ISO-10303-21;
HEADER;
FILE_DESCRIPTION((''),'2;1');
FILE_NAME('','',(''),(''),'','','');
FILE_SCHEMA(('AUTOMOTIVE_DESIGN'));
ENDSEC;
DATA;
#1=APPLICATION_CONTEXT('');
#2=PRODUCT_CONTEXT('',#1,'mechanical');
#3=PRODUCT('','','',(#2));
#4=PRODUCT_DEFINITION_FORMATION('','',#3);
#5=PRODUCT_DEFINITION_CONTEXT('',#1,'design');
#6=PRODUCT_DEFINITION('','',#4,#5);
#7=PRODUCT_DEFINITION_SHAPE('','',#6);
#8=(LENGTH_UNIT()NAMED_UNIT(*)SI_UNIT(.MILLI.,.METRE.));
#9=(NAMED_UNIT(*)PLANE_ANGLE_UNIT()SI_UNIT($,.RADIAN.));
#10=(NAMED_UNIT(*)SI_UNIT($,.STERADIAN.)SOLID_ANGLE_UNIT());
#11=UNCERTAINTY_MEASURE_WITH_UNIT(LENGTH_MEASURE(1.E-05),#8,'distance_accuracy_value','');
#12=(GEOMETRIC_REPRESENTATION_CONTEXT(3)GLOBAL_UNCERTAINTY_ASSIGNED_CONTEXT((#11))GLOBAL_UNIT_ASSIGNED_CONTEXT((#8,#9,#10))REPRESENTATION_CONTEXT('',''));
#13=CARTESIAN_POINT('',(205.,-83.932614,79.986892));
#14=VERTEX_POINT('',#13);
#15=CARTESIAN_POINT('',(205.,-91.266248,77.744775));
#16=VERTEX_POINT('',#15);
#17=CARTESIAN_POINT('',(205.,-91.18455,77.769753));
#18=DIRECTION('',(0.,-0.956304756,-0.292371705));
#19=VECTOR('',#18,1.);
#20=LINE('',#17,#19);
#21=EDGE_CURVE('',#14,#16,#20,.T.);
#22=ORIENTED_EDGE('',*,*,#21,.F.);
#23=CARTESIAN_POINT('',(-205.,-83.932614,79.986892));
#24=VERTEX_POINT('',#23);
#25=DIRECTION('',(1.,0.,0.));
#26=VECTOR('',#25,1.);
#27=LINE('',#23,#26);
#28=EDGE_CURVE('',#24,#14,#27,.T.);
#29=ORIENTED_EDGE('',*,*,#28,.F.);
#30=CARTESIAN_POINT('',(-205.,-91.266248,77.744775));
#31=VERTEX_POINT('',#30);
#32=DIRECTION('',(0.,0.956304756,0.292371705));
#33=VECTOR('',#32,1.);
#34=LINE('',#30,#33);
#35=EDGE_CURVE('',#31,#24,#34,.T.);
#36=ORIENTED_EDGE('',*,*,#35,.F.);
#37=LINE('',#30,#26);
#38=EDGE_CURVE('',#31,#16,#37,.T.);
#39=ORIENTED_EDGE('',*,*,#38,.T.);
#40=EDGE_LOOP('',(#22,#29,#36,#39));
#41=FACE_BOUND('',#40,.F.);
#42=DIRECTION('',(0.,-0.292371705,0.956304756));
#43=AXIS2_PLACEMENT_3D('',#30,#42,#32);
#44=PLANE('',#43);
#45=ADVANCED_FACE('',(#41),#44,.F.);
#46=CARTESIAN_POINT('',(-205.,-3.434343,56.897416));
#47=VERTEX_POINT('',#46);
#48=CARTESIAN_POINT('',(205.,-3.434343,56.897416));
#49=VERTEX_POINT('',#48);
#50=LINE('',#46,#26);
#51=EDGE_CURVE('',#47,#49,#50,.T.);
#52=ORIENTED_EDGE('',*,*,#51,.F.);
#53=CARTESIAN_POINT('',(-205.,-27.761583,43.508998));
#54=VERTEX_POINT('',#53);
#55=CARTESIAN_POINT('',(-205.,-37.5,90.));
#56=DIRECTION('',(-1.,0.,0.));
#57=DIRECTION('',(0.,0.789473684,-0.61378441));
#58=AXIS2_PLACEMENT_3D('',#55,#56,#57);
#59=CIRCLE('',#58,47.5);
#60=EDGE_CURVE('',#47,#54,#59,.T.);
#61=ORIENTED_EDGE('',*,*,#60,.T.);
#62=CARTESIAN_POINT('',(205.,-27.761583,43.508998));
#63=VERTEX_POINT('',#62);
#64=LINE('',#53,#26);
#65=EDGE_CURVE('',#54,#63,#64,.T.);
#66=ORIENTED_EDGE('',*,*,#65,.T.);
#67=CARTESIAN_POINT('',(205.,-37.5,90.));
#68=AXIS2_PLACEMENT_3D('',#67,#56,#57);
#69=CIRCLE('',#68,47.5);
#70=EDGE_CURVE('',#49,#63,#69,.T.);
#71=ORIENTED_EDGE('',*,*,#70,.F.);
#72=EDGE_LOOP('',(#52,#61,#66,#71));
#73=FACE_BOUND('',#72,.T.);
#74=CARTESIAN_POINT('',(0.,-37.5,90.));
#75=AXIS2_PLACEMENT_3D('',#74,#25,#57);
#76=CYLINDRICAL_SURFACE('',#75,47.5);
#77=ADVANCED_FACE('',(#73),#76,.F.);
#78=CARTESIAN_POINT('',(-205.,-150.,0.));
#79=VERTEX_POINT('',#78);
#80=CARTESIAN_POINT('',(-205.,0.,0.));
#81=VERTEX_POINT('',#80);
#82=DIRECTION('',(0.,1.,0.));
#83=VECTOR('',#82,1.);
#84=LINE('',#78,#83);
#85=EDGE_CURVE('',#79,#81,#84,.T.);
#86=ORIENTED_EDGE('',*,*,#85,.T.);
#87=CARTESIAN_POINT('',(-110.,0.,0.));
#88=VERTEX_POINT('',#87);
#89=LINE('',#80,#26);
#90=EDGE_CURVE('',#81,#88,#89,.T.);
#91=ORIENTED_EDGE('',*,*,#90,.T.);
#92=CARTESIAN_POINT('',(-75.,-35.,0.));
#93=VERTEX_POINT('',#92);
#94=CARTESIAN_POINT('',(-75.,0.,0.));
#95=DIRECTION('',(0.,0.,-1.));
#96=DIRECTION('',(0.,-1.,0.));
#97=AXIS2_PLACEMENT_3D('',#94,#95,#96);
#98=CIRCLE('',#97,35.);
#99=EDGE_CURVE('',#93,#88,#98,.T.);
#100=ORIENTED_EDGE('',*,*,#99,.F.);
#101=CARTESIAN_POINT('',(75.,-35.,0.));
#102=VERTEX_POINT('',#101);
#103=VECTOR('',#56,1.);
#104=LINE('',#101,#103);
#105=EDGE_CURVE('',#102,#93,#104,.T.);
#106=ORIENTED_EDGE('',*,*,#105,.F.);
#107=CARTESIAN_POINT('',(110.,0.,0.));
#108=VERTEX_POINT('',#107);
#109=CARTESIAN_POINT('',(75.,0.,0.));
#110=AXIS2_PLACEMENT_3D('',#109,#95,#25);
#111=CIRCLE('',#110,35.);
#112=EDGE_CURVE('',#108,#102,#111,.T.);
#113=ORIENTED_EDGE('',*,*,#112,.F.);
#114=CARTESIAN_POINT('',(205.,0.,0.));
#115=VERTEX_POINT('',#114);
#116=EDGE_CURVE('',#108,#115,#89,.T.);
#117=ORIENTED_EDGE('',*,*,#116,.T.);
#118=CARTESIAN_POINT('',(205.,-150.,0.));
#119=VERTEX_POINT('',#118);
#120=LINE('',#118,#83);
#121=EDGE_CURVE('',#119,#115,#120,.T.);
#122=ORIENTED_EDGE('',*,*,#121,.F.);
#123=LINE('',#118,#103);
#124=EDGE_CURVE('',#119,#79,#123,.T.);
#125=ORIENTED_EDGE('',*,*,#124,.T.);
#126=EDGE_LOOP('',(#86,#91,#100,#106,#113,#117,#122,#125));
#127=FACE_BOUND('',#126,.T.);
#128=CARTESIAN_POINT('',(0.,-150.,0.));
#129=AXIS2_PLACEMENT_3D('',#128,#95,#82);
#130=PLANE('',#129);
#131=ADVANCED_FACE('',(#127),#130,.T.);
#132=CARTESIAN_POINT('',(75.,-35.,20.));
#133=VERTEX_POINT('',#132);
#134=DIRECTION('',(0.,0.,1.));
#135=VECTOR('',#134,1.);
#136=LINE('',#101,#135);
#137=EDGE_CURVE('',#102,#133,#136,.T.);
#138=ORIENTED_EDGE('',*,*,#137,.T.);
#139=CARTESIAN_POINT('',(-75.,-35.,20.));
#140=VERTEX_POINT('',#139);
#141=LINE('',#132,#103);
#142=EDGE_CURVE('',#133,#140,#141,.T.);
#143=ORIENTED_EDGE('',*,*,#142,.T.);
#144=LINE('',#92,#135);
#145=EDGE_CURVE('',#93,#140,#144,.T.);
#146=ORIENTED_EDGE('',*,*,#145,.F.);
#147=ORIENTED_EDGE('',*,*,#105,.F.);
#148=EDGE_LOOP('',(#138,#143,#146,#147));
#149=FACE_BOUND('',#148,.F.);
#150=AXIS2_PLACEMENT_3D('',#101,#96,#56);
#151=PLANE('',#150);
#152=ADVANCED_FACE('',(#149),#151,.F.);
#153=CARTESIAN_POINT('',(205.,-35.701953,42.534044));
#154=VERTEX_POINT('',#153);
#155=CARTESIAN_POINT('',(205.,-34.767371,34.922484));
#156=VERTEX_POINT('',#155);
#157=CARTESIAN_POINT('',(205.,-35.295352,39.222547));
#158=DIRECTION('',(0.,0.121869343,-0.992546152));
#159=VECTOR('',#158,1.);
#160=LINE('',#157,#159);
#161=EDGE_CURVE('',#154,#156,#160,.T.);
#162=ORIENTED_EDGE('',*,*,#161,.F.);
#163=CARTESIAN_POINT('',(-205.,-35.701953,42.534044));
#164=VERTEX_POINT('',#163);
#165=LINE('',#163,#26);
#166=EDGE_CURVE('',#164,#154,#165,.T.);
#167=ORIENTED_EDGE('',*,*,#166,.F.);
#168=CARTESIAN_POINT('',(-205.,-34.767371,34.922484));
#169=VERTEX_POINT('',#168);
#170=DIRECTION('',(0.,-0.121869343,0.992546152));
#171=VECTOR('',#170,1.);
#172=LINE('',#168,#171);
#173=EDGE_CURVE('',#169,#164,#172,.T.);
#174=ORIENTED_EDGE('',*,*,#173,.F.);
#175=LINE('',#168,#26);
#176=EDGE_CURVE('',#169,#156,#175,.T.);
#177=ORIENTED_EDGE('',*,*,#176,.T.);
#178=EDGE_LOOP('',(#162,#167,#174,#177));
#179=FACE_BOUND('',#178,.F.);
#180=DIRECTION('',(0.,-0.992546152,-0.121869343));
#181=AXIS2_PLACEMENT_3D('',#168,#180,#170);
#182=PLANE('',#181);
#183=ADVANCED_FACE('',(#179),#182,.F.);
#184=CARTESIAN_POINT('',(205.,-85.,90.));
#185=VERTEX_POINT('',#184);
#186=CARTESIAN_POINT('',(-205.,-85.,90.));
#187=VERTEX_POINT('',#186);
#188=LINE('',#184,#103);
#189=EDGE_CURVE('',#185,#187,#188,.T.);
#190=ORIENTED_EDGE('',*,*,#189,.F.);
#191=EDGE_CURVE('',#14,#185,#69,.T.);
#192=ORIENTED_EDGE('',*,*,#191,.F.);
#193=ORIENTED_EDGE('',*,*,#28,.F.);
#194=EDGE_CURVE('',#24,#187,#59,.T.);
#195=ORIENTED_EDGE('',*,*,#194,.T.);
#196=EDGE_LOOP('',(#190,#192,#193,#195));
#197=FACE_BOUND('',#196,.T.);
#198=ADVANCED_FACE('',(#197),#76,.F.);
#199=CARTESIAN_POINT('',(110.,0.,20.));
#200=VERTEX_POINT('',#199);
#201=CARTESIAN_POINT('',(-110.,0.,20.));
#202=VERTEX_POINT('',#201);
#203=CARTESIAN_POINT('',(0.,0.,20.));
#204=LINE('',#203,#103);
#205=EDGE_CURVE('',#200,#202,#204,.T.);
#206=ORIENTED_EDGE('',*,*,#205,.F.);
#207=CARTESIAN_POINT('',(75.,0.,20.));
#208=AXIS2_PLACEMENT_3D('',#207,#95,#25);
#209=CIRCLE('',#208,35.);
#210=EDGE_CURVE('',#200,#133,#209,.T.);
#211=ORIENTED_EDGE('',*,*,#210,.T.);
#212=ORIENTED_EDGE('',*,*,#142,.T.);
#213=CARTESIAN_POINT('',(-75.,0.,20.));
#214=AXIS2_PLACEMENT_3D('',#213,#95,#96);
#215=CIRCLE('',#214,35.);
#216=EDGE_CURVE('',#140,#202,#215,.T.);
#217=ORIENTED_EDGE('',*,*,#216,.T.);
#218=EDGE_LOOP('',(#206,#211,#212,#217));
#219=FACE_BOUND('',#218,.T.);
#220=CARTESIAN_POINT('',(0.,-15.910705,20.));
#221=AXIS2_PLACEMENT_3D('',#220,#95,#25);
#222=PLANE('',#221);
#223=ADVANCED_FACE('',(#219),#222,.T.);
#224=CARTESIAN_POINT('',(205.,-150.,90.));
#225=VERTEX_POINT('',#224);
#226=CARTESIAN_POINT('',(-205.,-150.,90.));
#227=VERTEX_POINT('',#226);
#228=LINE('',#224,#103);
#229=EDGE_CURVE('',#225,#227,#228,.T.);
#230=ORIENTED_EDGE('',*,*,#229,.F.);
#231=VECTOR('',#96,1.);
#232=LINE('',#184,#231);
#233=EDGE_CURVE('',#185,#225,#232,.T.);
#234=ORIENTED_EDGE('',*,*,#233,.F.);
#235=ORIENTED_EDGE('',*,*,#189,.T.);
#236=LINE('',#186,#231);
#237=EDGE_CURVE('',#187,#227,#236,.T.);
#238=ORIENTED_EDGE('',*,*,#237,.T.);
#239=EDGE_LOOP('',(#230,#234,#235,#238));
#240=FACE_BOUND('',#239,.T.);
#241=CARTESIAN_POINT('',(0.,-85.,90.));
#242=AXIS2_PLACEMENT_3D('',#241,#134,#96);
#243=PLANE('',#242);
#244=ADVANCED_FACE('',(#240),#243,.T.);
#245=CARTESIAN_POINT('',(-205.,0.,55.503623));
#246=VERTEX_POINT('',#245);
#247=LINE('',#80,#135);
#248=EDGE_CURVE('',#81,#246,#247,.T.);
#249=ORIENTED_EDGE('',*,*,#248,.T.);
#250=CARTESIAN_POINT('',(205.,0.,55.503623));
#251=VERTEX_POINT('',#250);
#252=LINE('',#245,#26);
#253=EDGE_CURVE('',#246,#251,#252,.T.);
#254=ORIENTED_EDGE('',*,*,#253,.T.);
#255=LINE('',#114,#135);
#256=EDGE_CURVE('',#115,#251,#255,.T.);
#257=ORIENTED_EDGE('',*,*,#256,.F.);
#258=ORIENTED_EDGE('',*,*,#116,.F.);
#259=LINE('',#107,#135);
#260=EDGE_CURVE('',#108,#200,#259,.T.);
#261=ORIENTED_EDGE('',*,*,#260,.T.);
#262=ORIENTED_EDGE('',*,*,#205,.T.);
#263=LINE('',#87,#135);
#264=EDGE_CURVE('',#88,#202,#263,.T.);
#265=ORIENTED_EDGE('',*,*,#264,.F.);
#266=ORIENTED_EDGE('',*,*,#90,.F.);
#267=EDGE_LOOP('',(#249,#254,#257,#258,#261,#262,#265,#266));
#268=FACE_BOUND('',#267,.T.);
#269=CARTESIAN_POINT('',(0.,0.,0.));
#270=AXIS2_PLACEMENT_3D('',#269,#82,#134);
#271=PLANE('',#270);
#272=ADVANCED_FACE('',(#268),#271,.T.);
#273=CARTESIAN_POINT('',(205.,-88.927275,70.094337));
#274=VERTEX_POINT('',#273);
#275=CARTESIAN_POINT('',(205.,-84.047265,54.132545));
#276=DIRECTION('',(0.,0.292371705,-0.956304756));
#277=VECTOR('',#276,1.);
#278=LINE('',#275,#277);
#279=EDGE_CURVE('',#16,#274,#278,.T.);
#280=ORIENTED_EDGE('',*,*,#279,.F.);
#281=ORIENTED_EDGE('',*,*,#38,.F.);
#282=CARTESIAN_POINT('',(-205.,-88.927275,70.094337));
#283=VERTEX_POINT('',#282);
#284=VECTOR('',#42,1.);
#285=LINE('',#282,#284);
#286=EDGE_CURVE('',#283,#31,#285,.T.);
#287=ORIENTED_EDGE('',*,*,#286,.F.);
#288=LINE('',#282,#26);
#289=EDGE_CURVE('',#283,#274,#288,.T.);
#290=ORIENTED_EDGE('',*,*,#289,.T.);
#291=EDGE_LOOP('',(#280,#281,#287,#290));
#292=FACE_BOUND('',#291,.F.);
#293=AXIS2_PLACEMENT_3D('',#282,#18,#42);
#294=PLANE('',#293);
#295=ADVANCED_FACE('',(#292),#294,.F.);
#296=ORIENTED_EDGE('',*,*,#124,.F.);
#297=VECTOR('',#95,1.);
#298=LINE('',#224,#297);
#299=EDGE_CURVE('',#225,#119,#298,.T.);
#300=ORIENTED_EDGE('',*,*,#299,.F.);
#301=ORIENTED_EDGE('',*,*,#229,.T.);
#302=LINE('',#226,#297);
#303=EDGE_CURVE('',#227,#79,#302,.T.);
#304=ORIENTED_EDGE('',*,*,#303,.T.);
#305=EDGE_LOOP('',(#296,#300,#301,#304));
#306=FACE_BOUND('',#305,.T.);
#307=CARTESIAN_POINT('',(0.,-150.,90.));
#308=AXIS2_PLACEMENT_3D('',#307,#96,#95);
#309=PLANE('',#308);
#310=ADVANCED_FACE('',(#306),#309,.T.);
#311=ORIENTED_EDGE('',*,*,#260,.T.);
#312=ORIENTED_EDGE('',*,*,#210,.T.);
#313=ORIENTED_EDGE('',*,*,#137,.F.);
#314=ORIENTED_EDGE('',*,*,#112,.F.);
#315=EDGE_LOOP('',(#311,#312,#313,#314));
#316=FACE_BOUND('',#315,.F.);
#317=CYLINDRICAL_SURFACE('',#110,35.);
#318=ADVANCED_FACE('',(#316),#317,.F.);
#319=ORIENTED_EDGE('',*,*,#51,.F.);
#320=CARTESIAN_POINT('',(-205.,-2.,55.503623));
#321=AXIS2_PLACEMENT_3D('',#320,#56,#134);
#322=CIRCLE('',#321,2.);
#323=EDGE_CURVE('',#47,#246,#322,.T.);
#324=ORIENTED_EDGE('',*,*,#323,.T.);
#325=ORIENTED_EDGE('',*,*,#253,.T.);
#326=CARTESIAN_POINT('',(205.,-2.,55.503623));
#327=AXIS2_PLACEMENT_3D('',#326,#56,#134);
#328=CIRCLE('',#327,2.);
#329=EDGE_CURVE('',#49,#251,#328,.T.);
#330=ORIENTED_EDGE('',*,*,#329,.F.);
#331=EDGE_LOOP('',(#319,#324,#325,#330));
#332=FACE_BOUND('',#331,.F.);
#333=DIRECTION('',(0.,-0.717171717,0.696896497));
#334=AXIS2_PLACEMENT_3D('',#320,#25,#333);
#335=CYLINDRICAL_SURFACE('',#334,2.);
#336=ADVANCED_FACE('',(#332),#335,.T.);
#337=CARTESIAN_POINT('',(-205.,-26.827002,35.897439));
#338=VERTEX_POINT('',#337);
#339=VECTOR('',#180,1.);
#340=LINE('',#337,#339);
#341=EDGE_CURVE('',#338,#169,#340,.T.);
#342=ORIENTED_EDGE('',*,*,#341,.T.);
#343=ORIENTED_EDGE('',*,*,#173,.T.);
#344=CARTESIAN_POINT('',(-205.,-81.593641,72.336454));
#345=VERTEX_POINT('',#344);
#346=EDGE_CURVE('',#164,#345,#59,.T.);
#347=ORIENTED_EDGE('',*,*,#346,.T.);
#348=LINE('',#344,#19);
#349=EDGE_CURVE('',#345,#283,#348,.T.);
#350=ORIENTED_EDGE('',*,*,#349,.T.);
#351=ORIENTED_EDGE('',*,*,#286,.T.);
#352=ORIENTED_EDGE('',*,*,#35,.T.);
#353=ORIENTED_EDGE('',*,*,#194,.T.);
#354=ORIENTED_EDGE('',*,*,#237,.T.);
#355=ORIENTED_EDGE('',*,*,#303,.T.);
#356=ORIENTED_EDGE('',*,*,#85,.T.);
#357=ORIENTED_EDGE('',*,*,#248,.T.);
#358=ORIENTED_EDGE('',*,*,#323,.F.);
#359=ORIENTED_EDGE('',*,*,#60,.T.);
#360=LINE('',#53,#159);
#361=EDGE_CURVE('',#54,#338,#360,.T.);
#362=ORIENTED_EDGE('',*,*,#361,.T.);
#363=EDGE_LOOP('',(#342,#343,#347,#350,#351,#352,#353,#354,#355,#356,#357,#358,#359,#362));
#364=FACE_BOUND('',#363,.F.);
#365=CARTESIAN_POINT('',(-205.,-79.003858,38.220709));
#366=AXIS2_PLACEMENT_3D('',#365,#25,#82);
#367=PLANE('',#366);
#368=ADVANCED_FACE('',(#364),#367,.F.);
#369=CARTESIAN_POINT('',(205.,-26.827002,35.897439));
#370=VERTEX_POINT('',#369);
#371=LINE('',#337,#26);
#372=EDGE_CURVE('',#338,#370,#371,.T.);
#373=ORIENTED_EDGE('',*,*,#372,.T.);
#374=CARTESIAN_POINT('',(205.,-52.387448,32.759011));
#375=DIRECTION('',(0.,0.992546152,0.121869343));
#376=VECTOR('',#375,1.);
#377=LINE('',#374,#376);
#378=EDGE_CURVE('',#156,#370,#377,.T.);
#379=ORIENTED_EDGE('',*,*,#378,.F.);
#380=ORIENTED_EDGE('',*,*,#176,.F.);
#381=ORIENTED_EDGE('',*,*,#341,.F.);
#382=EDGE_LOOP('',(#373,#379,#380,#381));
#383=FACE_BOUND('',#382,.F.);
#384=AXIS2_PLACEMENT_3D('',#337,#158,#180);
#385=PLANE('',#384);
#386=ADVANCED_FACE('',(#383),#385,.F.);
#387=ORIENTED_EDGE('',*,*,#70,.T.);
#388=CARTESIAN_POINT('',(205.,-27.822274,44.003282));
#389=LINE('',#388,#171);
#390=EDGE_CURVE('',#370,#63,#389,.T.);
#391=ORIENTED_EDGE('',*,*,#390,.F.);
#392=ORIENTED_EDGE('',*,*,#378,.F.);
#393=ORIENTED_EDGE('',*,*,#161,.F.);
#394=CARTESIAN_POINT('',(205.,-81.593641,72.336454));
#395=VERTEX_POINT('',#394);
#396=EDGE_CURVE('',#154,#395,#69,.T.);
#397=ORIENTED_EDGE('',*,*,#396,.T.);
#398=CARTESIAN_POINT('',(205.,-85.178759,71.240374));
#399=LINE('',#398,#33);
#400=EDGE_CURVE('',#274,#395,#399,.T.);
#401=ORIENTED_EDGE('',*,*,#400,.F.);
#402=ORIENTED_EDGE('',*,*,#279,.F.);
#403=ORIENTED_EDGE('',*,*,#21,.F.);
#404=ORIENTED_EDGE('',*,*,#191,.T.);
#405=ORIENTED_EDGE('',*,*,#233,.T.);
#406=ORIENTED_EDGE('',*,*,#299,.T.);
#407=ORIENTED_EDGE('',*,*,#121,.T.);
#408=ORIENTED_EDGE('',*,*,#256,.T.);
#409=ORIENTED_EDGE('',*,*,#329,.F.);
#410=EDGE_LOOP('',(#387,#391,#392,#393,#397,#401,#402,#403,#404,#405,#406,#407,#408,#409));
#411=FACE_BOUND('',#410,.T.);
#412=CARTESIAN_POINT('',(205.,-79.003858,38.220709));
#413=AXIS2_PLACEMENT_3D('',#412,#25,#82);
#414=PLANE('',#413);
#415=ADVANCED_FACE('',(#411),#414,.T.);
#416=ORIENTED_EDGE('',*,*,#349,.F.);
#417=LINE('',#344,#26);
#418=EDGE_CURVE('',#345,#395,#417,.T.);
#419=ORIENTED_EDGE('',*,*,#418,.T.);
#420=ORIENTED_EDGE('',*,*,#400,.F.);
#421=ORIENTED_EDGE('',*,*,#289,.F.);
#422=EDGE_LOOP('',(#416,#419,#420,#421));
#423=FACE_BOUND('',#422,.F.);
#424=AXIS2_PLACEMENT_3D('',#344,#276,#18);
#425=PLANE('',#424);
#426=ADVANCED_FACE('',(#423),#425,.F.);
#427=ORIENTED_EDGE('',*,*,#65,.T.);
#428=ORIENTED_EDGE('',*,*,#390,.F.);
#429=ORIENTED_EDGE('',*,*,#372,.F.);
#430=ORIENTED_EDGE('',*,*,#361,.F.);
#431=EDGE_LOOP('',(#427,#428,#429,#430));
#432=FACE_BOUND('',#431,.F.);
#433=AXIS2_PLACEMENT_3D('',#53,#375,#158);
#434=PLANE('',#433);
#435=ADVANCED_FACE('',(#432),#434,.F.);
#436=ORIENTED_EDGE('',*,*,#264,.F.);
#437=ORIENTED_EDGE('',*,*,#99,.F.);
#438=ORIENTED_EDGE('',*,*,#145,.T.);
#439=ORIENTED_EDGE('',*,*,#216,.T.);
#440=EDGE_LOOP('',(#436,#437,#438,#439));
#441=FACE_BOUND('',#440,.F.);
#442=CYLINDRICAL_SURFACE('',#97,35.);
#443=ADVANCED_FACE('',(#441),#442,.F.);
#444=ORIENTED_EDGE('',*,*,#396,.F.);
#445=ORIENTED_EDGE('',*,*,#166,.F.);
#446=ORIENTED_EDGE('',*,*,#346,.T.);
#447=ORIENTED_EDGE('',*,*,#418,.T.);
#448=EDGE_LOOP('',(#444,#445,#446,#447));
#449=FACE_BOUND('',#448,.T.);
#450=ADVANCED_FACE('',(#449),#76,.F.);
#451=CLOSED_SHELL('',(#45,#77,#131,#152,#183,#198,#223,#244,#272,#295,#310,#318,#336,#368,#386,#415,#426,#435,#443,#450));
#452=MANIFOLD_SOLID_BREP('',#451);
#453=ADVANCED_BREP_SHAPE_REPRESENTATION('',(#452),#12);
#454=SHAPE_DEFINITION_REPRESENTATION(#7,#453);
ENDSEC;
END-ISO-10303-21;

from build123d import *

# Parameters (mm, degrees)
F1_DEPTH = 205
F2_R     = 2
F4_DEPTH = 20
F6_DEPTH = 410.001


with BuildPart() as f1:
    # F0 (on Right) → F1 (new body, symmetric)
    with BuildSketch(Plane.YZ):
        with BuildLine():
            Line((-150, 0), (0, 0))
            Line((0, 0), (0, 60.8452405258))
            ThreePointArc((0, 60.8452405258), (-52.9110350074, 45.069498111), (-85, 90))
            Line((-85, 90), (-150, 90))
            Line((-150, 90), (-150, 0))
        make_face()
    extrude(amount=F1_DEPTH, both=True)

    # F2
    f2_edges = [f1.edges().sort_by_distance(p)[0] for p in [
        (0, 0, 60.845241),
    ]]
    fillet(f2_edges, radius=F2_R)

    # F3 (on face) → F4 (cut)
    with BuildSketch(Plane(origin=(0, 0, 0), x_dir=(1, 0, 0), z_dir=(0, 0, -1))):
        with BuildLine():
            ThreePointArc((110, 0), (99.7487373415, 24.7487373415), (75, 35))
            Line((75, 35), (-75, 35))
            ThreePointArc((-75, 35), (-99.7487373415, 24.7487373415), (-110, 0))
            Line((-110, 0), (110, 0))
        make_face()
        with BuildLine():
            ThreePointArc((75, -35), (99.7487373415, -24.7487373415), (110, 0))
            Line((110, 0), (-110, 0))
            ThreePointArc((-110, 0), (-99.7487373415, -24.7487373415), (-75, -35))
            Line((-75, -35), (75, -35))
        make_face()
    extrude(amount=-F4_DEPTH, mode=Mode.SUBTRACT)

    # F5 (on face) → F6 (cut, through all)
    with BuildSketch(Plane(origin=(-205, 0, 0), x_dir=(0, -1, 0), z_dir=(-1, 0, 0))):
        with BuildLine():
            ThreePointArc((35.701952676, 42.5340435067), (31.7112061883, 42.854057797), (27.7615834628, 43.508998254))
            Line((27.7615834628, 43.508998254), (26.8270015062, 35.8974390333))
            Line((26.8270015062, 35.8974390333), (34.7673707193, 34.9224842861))
            Line((34.7673707193, 34.9224842861), (35.701952676, 42.5340435067))
        make_face()
        with BuildLine():
            ThreePointArc((81.5936406798, 72.336454161), (82.9244759082, 76.1123440257), (83.9326143175, 79.9868922087))
            Line((83.9326143175, 79.9868922087), (78.6335187107, 81.6069883197))
            Line((78.6335187107, 81.6069883197), (76.294545073, 73.956550272))
            Line((76.294545073, 73.956550272), (81.5936406798, 72.336454161))
        make_face()
        with BuildLine():
            Line((91.2662483969, 77.7447752641), (83.9326143175, 79.9868922087))
            ThreePointArc((83.9326143175, 79.9868922087), (82.9244759082, 76.1123440257), (81.5936406798, 72.336454161))
            Line((81.5936406798, 72.336454161), (88.9272747591, 70.0943372164))
            Line((88.9272747591, 70.0943372164), (91.2662483969, 77.7447752641))
        make_face()
    extrude(amount=-F6_DEPTH, mode=Mode.SUBTRACT)


solid = f1.part
